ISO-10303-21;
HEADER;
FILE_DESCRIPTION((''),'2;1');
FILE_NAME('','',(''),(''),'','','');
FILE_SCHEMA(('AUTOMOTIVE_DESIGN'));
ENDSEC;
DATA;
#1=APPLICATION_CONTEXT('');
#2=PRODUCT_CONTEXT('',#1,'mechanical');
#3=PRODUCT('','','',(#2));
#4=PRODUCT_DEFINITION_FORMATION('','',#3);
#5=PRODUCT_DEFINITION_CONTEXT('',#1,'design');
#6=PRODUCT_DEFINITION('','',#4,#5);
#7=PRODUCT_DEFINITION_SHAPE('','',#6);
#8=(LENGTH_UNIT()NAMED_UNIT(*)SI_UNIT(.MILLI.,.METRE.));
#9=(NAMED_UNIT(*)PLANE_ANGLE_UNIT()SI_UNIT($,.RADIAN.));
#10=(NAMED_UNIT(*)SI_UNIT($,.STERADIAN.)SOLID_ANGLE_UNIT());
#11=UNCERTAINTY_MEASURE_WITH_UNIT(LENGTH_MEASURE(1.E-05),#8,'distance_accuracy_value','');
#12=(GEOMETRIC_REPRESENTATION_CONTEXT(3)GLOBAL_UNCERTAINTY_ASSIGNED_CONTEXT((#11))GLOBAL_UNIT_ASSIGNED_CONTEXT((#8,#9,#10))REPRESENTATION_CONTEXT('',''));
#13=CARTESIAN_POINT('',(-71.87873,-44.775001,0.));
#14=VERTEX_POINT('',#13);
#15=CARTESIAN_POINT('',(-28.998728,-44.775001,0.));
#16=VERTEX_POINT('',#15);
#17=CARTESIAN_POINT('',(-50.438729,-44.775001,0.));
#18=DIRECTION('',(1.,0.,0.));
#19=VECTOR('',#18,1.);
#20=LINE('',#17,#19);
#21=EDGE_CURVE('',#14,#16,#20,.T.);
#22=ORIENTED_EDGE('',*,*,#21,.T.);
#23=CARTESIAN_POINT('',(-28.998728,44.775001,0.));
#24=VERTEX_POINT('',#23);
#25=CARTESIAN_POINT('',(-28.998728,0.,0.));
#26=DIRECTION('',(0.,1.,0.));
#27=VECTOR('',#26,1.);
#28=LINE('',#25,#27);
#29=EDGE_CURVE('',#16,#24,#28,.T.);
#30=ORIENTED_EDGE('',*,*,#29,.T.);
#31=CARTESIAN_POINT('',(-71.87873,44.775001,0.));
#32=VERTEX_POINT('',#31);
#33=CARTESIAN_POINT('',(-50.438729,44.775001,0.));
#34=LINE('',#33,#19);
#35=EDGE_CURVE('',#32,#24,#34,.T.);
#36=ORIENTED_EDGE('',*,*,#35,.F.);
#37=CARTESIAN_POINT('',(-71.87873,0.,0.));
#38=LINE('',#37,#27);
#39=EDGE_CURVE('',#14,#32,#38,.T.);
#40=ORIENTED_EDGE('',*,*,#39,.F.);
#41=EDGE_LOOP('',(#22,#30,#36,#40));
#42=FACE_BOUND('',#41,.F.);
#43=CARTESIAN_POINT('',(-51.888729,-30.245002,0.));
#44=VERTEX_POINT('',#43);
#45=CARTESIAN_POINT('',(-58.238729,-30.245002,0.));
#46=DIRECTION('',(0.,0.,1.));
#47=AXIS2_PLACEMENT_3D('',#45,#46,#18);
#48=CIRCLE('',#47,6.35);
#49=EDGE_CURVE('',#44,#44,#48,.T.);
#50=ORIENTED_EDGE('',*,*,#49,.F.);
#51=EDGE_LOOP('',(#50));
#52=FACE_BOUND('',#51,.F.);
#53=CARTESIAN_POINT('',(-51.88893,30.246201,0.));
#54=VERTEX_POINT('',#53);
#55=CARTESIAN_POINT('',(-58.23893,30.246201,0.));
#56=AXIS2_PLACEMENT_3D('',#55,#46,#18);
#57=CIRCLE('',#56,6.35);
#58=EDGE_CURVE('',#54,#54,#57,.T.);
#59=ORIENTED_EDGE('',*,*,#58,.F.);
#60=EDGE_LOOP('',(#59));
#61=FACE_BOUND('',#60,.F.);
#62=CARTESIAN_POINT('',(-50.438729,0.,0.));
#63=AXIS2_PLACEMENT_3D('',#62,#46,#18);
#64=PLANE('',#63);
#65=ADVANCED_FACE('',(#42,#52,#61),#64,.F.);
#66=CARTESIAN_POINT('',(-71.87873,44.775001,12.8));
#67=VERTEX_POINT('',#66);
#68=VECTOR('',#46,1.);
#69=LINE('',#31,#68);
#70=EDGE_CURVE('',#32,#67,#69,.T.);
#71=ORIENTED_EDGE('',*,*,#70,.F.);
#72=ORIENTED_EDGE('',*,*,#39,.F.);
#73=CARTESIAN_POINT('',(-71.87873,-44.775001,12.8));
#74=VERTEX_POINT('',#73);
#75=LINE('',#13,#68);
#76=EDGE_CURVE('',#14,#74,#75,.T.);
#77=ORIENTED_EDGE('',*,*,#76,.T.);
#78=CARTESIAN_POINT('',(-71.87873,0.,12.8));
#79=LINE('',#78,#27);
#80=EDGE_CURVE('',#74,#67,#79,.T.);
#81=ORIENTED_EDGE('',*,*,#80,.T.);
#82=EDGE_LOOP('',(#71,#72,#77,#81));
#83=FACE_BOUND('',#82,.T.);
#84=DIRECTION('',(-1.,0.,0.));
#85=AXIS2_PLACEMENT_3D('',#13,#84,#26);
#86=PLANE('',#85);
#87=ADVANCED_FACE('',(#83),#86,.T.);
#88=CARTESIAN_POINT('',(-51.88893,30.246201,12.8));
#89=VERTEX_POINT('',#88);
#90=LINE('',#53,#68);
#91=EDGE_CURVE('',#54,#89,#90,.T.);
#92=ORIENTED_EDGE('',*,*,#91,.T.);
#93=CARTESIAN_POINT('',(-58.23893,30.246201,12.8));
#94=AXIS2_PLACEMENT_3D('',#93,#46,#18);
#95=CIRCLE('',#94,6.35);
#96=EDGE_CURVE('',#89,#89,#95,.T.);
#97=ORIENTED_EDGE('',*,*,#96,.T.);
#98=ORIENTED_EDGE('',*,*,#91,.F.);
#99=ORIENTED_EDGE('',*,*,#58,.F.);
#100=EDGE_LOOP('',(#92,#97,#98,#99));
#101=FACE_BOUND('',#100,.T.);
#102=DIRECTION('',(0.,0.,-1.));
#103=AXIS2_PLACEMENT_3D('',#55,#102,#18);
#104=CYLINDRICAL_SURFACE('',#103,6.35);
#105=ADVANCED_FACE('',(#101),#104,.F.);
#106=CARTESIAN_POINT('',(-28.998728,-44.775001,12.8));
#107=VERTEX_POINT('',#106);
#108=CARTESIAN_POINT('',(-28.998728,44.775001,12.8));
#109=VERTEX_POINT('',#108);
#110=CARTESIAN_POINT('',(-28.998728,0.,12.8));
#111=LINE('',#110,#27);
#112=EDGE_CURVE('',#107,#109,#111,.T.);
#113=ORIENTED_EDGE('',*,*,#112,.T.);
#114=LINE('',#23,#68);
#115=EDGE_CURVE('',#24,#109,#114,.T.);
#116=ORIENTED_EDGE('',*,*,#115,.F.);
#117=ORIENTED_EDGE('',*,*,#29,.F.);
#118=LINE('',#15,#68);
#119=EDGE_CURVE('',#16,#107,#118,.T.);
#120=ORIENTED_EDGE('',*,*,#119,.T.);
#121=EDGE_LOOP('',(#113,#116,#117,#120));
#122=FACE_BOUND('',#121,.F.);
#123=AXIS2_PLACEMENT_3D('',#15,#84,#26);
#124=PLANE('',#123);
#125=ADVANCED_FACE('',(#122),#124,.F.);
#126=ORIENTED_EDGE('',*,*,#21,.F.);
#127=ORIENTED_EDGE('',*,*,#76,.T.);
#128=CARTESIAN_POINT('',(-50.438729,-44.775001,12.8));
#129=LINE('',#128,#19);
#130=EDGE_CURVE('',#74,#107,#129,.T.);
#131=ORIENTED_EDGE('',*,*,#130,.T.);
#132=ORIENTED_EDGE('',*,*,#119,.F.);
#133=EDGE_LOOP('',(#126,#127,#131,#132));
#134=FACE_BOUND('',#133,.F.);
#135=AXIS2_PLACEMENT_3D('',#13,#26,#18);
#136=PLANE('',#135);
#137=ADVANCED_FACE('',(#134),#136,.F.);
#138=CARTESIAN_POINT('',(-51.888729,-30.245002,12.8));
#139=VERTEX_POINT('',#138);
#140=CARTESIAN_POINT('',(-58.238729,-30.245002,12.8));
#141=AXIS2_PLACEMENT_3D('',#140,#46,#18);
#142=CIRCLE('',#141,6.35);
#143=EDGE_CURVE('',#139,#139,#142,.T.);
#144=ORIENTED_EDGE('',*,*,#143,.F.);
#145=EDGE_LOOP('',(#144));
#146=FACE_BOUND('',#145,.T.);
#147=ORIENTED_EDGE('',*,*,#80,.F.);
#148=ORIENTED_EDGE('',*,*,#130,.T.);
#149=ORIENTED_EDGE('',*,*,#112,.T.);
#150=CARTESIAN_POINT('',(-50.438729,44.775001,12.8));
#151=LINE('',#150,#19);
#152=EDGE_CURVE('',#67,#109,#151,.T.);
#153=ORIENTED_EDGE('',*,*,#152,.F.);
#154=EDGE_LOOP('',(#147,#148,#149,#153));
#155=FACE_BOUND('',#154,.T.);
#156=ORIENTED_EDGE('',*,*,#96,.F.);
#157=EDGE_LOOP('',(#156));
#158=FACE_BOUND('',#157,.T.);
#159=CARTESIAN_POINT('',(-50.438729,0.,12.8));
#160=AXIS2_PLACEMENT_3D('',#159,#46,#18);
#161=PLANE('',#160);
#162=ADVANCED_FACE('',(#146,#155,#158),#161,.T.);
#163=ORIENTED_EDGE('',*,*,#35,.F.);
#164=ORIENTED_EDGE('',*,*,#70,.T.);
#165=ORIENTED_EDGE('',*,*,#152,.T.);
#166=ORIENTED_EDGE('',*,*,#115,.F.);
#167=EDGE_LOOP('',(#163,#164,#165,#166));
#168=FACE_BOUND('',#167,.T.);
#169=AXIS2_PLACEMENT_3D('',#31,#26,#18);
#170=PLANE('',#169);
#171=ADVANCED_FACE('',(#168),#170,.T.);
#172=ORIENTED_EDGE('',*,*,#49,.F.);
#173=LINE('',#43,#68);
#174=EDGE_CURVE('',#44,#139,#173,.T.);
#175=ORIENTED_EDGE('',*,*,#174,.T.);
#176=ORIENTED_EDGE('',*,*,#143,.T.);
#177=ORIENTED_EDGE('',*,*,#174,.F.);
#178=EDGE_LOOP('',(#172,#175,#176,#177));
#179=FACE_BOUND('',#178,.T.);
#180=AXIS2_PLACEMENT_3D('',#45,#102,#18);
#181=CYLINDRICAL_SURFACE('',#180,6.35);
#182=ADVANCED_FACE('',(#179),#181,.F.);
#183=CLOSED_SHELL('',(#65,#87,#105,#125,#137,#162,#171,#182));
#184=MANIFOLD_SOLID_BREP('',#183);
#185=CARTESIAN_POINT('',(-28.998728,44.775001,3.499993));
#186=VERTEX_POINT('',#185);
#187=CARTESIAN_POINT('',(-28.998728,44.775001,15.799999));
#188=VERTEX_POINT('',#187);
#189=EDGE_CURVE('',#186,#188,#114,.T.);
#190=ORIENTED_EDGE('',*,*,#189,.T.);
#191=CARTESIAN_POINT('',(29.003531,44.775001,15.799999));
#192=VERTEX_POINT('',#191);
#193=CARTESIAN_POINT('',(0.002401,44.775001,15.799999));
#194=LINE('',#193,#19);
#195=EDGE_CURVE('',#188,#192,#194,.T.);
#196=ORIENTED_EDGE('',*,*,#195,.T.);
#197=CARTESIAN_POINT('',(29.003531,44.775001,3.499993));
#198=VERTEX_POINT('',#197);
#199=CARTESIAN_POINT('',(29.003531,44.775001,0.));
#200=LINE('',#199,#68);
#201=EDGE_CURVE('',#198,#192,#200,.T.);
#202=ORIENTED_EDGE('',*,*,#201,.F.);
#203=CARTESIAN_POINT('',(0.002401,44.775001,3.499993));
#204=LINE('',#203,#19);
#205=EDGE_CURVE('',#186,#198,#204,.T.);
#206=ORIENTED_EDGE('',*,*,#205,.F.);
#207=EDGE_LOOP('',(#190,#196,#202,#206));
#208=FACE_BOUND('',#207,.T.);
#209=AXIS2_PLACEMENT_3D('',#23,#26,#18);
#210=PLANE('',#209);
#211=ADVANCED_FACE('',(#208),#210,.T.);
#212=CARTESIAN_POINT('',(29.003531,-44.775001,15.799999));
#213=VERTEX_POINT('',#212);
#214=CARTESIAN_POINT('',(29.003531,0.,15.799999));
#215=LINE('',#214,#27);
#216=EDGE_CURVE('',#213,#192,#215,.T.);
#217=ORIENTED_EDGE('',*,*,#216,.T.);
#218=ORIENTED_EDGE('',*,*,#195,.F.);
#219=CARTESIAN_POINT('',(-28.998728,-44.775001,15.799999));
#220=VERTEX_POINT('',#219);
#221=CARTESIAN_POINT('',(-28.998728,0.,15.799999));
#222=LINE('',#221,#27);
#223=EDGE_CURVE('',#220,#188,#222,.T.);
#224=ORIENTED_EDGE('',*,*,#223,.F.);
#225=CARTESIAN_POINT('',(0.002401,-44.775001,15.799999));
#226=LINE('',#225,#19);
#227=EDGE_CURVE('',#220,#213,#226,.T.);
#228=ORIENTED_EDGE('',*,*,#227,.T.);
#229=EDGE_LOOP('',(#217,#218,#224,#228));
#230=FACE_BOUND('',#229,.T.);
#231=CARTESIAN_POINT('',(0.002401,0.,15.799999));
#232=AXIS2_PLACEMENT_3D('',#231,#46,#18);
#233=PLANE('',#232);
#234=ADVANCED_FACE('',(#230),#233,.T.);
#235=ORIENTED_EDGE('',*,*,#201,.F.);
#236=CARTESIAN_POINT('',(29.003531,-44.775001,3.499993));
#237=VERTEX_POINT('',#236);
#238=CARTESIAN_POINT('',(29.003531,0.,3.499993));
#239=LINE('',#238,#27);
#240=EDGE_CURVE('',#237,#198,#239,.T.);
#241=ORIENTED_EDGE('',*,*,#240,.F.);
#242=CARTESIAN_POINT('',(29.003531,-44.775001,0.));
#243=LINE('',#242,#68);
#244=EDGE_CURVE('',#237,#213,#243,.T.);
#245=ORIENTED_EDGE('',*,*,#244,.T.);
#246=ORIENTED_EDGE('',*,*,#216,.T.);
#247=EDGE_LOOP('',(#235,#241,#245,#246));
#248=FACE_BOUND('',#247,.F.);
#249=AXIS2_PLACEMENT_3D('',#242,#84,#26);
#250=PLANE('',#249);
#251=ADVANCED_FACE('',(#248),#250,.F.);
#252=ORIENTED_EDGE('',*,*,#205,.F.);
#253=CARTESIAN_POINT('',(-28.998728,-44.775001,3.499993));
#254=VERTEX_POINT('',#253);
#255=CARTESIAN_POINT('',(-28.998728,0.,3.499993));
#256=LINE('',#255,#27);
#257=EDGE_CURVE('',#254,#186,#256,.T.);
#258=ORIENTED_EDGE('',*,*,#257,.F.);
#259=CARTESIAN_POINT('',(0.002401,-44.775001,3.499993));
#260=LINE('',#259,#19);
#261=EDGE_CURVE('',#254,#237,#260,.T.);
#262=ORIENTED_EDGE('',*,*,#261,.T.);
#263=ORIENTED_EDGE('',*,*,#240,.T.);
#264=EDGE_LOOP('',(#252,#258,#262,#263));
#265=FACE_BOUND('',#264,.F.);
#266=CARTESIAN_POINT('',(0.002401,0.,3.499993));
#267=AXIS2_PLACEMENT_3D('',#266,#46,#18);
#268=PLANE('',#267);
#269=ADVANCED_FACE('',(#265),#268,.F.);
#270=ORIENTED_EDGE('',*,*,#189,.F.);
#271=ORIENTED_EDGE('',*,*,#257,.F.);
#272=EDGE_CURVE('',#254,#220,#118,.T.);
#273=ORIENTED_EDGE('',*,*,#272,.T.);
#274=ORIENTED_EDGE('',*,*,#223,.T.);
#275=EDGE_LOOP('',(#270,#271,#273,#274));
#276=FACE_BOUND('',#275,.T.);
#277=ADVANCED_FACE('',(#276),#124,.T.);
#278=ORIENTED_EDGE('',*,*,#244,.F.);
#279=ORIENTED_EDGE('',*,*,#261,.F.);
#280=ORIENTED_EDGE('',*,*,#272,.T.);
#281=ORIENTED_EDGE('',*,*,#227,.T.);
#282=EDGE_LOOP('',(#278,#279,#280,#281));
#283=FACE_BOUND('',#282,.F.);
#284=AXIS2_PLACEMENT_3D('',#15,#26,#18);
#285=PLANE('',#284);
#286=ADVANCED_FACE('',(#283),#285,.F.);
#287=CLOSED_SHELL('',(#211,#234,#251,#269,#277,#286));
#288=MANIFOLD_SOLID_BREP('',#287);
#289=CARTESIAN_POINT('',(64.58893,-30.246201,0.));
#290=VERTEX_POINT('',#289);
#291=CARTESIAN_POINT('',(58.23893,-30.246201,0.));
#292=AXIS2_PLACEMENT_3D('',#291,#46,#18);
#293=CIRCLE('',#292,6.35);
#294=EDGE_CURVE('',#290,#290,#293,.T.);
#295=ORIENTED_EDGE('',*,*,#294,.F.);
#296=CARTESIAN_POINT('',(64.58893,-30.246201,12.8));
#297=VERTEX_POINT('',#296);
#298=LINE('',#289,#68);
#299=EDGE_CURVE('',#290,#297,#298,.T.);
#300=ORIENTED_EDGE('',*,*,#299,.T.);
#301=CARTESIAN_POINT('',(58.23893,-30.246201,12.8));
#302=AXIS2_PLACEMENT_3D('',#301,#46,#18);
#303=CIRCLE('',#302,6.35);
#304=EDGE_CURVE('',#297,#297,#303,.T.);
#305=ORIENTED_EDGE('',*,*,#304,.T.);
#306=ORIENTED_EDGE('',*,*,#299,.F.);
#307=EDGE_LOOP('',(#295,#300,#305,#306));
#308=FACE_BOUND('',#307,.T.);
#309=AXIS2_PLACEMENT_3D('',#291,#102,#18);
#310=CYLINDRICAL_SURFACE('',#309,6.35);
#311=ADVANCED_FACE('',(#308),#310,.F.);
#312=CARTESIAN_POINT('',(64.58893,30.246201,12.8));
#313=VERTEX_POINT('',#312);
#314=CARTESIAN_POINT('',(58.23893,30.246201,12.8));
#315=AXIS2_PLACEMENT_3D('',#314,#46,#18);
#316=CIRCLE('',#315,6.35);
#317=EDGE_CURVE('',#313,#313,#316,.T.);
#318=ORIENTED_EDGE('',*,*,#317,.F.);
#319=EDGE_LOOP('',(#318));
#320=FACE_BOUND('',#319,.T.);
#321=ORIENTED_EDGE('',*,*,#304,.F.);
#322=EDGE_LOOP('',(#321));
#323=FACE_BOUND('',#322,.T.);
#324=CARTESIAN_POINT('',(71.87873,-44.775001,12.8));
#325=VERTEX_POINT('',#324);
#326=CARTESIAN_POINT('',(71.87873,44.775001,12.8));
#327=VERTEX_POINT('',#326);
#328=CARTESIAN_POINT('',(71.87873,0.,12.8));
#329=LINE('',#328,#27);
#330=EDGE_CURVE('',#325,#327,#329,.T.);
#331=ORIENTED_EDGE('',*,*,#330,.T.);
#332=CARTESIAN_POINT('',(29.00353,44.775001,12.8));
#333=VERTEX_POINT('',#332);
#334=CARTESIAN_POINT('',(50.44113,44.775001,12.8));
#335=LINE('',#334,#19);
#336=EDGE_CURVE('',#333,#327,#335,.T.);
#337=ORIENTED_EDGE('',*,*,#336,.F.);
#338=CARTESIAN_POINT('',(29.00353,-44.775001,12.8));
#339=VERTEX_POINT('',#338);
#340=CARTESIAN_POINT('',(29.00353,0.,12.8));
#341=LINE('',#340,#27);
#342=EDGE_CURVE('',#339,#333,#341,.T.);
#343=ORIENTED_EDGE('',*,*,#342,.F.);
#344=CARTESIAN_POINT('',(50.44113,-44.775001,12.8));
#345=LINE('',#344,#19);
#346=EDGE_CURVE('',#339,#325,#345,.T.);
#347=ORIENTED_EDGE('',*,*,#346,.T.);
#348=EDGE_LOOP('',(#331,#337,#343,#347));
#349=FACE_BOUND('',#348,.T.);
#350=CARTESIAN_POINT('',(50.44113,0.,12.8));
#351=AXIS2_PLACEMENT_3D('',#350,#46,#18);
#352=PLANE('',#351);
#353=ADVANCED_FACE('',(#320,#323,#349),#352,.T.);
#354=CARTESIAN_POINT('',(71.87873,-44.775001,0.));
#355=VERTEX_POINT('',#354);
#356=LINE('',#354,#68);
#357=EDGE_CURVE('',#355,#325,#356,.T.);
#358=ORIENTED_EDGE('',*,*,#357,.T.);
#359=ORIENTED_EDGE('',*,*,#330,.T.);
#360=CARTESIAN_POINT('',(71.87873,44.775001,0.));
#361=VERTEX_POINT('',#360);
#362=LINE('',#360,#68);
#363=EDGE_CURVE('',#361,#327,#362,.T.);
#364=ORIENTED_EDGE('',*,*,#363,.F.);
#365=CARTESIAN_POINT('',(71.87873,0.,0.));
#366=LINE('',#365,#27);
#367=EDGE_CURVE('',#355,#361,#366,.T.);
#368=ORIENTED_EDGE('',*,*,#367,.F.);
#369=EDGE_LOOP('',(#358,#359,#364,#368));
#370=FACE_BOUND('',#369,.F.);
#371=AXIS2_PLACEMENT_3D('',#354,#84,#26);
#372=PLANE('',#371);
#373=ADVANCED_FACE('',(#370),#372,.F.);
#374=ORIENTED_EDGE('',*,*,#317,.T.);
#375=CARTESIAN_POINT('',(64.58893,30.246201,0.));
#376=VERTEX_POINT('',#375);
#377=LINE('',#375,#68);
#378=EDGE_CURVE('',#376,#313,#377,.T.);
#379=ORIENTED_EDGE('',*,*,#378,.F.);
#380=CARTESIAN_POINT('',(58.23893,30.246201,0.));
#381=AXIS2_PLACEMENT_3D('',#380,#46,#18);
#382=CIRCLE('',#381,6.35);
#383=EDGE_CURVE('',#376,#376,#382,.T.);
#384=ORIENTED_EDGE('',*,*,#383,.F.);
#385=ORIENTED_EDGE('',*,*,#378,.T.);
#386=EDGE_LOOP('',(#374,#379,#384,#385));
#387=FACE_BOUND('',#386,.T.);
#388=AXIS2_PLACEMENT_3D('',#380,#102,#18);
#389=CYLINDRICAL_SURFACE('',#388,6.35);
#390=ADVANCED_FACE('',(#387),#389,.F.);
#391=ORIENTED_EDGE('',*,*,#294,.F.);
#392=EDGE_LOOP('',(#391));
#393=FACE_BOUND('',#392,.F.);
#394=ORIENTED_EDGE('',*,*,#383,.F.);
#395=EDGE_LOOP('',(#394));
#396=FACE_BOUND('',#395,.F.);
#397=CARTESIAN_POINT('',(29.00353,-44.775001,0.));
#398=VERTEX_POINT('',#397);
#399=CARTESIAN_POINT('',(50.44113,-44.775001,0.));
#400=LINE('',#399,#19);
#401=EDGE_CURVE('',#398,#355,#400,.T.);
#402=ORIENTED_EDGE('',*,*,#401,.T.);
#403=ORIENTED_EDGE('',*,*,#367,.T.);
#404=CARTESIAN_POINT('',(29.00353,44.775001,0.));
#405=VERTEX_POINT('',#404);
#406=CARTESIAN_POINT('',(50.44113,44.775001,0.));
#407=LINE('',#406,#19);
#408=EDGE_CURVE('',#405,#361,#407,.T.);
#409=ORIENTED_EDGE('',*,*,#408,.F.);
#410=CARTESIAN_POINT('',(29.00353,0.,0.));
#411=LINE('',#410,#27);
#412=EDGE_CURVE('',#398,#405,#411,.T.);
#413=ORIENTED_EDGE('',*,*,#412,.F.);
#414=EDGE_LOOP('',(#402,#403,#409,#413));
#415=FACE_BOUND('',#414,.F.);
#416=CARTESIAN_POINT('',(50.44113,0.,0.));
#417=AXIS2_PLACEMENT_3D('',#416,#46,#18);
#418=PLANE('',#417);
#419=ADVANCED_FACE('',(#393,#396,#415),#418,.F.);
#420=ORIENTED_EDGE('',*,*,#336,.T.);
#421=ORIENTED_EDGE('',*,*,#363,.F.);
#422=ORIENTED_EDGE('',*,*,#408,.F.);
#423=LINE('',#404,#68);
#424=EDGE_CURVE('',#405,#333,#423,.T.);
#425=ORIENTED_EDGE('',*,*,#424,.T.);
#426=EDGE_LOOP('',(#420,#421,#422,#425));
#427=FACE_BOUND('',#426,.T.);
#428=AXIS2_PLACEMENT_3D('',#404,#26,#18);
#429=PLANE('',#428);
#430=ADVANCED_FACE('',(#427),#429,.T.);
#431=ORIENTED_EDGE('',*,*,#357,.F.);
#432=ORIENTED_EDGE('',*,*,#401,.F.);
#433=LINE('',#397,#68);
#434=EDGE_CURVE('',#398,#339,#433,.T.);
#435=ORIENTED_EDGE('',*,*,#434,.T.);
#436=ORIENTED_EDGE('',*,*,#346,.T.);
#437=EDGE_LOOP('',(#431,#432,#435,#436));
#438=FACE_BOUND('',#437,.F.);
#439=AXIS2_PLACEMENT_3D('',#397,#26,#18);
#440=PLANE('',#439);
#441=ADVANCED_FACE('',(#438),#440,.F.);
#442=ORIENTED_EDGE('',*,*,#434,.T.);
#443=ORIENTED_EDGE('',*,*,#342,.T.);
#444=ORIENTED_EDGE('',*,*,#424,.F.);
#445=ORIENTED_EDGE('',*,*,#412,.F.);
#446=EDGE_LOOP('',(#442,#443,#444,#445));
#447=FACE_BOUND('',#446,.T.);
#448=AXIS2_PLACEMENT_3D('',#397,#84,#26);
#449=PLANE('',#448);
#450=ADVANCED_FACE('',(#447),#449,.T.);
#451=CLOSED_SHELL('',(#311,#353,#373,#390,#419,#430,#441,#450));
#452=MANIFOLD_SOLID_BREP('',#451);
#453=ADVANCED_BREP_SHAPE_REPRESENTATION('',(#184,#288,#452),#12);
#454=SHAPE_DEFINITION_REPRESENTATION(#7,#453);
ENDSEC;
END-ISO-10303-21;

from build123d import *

# Parameters (mm, degrees)
F0_W     = 42.880001
F0_H     = 89.550002
F0_R     = 6.35
F0_W_2   = 42.8752
F1_DEPTH = 12.8
F0_W_3   = 58.002259
F2_DEPTH = 15.799999
F3_DEPTH = 3.499993


with BuildPart() as f1:
    # F0 (on Top) → F1 (new body)
    with BuildSketch(Plane.XY):
        with Locations((-50.438729, 0)):
            Rectangle(F0_W, F0_H)
        with Locations((-58.238729, -30.245002)):
            Circle(F0_R, mode=Mode.SUBTRACT)
        with Locations((-58.23893, 30.246201)):
            Circle(F0_R, mode=Mode.SUBTRACT)
        with Locations((50.44113, 0)):
            Rectangle(F0_W_2, F0_H)
        with Locations((58.23893, -30.246201)):
            Circle(F0_R, mode=Mode.SUBTRACT)
        with Locations((58.23893, 30.246201)):
            Circle(F0_R, mode=Mode.SUBTRACT)
    extrude(amount=F1_DEPTH)


with BuildPart() as f2:
    # F0 (on Top) → F2 (new body)
    with BuildSketch(Plane.XY):
        with Locations((0.002401, 0)):
            Rectangle(F0_W_3, F0_H)
    extrude(amount=F2_DEPTH)

    # F0 (on Top) → F3 (cut)
    with BuildSketch(Plane.XY):
        with Locations((0.002401, 0)):
            Rectangle(F0_W_3, F0_H)
    extrude(amount=F3_DEPTH, mode=Mode.SUBTRACT)


solid = Compound([f1.part, f2.part])
